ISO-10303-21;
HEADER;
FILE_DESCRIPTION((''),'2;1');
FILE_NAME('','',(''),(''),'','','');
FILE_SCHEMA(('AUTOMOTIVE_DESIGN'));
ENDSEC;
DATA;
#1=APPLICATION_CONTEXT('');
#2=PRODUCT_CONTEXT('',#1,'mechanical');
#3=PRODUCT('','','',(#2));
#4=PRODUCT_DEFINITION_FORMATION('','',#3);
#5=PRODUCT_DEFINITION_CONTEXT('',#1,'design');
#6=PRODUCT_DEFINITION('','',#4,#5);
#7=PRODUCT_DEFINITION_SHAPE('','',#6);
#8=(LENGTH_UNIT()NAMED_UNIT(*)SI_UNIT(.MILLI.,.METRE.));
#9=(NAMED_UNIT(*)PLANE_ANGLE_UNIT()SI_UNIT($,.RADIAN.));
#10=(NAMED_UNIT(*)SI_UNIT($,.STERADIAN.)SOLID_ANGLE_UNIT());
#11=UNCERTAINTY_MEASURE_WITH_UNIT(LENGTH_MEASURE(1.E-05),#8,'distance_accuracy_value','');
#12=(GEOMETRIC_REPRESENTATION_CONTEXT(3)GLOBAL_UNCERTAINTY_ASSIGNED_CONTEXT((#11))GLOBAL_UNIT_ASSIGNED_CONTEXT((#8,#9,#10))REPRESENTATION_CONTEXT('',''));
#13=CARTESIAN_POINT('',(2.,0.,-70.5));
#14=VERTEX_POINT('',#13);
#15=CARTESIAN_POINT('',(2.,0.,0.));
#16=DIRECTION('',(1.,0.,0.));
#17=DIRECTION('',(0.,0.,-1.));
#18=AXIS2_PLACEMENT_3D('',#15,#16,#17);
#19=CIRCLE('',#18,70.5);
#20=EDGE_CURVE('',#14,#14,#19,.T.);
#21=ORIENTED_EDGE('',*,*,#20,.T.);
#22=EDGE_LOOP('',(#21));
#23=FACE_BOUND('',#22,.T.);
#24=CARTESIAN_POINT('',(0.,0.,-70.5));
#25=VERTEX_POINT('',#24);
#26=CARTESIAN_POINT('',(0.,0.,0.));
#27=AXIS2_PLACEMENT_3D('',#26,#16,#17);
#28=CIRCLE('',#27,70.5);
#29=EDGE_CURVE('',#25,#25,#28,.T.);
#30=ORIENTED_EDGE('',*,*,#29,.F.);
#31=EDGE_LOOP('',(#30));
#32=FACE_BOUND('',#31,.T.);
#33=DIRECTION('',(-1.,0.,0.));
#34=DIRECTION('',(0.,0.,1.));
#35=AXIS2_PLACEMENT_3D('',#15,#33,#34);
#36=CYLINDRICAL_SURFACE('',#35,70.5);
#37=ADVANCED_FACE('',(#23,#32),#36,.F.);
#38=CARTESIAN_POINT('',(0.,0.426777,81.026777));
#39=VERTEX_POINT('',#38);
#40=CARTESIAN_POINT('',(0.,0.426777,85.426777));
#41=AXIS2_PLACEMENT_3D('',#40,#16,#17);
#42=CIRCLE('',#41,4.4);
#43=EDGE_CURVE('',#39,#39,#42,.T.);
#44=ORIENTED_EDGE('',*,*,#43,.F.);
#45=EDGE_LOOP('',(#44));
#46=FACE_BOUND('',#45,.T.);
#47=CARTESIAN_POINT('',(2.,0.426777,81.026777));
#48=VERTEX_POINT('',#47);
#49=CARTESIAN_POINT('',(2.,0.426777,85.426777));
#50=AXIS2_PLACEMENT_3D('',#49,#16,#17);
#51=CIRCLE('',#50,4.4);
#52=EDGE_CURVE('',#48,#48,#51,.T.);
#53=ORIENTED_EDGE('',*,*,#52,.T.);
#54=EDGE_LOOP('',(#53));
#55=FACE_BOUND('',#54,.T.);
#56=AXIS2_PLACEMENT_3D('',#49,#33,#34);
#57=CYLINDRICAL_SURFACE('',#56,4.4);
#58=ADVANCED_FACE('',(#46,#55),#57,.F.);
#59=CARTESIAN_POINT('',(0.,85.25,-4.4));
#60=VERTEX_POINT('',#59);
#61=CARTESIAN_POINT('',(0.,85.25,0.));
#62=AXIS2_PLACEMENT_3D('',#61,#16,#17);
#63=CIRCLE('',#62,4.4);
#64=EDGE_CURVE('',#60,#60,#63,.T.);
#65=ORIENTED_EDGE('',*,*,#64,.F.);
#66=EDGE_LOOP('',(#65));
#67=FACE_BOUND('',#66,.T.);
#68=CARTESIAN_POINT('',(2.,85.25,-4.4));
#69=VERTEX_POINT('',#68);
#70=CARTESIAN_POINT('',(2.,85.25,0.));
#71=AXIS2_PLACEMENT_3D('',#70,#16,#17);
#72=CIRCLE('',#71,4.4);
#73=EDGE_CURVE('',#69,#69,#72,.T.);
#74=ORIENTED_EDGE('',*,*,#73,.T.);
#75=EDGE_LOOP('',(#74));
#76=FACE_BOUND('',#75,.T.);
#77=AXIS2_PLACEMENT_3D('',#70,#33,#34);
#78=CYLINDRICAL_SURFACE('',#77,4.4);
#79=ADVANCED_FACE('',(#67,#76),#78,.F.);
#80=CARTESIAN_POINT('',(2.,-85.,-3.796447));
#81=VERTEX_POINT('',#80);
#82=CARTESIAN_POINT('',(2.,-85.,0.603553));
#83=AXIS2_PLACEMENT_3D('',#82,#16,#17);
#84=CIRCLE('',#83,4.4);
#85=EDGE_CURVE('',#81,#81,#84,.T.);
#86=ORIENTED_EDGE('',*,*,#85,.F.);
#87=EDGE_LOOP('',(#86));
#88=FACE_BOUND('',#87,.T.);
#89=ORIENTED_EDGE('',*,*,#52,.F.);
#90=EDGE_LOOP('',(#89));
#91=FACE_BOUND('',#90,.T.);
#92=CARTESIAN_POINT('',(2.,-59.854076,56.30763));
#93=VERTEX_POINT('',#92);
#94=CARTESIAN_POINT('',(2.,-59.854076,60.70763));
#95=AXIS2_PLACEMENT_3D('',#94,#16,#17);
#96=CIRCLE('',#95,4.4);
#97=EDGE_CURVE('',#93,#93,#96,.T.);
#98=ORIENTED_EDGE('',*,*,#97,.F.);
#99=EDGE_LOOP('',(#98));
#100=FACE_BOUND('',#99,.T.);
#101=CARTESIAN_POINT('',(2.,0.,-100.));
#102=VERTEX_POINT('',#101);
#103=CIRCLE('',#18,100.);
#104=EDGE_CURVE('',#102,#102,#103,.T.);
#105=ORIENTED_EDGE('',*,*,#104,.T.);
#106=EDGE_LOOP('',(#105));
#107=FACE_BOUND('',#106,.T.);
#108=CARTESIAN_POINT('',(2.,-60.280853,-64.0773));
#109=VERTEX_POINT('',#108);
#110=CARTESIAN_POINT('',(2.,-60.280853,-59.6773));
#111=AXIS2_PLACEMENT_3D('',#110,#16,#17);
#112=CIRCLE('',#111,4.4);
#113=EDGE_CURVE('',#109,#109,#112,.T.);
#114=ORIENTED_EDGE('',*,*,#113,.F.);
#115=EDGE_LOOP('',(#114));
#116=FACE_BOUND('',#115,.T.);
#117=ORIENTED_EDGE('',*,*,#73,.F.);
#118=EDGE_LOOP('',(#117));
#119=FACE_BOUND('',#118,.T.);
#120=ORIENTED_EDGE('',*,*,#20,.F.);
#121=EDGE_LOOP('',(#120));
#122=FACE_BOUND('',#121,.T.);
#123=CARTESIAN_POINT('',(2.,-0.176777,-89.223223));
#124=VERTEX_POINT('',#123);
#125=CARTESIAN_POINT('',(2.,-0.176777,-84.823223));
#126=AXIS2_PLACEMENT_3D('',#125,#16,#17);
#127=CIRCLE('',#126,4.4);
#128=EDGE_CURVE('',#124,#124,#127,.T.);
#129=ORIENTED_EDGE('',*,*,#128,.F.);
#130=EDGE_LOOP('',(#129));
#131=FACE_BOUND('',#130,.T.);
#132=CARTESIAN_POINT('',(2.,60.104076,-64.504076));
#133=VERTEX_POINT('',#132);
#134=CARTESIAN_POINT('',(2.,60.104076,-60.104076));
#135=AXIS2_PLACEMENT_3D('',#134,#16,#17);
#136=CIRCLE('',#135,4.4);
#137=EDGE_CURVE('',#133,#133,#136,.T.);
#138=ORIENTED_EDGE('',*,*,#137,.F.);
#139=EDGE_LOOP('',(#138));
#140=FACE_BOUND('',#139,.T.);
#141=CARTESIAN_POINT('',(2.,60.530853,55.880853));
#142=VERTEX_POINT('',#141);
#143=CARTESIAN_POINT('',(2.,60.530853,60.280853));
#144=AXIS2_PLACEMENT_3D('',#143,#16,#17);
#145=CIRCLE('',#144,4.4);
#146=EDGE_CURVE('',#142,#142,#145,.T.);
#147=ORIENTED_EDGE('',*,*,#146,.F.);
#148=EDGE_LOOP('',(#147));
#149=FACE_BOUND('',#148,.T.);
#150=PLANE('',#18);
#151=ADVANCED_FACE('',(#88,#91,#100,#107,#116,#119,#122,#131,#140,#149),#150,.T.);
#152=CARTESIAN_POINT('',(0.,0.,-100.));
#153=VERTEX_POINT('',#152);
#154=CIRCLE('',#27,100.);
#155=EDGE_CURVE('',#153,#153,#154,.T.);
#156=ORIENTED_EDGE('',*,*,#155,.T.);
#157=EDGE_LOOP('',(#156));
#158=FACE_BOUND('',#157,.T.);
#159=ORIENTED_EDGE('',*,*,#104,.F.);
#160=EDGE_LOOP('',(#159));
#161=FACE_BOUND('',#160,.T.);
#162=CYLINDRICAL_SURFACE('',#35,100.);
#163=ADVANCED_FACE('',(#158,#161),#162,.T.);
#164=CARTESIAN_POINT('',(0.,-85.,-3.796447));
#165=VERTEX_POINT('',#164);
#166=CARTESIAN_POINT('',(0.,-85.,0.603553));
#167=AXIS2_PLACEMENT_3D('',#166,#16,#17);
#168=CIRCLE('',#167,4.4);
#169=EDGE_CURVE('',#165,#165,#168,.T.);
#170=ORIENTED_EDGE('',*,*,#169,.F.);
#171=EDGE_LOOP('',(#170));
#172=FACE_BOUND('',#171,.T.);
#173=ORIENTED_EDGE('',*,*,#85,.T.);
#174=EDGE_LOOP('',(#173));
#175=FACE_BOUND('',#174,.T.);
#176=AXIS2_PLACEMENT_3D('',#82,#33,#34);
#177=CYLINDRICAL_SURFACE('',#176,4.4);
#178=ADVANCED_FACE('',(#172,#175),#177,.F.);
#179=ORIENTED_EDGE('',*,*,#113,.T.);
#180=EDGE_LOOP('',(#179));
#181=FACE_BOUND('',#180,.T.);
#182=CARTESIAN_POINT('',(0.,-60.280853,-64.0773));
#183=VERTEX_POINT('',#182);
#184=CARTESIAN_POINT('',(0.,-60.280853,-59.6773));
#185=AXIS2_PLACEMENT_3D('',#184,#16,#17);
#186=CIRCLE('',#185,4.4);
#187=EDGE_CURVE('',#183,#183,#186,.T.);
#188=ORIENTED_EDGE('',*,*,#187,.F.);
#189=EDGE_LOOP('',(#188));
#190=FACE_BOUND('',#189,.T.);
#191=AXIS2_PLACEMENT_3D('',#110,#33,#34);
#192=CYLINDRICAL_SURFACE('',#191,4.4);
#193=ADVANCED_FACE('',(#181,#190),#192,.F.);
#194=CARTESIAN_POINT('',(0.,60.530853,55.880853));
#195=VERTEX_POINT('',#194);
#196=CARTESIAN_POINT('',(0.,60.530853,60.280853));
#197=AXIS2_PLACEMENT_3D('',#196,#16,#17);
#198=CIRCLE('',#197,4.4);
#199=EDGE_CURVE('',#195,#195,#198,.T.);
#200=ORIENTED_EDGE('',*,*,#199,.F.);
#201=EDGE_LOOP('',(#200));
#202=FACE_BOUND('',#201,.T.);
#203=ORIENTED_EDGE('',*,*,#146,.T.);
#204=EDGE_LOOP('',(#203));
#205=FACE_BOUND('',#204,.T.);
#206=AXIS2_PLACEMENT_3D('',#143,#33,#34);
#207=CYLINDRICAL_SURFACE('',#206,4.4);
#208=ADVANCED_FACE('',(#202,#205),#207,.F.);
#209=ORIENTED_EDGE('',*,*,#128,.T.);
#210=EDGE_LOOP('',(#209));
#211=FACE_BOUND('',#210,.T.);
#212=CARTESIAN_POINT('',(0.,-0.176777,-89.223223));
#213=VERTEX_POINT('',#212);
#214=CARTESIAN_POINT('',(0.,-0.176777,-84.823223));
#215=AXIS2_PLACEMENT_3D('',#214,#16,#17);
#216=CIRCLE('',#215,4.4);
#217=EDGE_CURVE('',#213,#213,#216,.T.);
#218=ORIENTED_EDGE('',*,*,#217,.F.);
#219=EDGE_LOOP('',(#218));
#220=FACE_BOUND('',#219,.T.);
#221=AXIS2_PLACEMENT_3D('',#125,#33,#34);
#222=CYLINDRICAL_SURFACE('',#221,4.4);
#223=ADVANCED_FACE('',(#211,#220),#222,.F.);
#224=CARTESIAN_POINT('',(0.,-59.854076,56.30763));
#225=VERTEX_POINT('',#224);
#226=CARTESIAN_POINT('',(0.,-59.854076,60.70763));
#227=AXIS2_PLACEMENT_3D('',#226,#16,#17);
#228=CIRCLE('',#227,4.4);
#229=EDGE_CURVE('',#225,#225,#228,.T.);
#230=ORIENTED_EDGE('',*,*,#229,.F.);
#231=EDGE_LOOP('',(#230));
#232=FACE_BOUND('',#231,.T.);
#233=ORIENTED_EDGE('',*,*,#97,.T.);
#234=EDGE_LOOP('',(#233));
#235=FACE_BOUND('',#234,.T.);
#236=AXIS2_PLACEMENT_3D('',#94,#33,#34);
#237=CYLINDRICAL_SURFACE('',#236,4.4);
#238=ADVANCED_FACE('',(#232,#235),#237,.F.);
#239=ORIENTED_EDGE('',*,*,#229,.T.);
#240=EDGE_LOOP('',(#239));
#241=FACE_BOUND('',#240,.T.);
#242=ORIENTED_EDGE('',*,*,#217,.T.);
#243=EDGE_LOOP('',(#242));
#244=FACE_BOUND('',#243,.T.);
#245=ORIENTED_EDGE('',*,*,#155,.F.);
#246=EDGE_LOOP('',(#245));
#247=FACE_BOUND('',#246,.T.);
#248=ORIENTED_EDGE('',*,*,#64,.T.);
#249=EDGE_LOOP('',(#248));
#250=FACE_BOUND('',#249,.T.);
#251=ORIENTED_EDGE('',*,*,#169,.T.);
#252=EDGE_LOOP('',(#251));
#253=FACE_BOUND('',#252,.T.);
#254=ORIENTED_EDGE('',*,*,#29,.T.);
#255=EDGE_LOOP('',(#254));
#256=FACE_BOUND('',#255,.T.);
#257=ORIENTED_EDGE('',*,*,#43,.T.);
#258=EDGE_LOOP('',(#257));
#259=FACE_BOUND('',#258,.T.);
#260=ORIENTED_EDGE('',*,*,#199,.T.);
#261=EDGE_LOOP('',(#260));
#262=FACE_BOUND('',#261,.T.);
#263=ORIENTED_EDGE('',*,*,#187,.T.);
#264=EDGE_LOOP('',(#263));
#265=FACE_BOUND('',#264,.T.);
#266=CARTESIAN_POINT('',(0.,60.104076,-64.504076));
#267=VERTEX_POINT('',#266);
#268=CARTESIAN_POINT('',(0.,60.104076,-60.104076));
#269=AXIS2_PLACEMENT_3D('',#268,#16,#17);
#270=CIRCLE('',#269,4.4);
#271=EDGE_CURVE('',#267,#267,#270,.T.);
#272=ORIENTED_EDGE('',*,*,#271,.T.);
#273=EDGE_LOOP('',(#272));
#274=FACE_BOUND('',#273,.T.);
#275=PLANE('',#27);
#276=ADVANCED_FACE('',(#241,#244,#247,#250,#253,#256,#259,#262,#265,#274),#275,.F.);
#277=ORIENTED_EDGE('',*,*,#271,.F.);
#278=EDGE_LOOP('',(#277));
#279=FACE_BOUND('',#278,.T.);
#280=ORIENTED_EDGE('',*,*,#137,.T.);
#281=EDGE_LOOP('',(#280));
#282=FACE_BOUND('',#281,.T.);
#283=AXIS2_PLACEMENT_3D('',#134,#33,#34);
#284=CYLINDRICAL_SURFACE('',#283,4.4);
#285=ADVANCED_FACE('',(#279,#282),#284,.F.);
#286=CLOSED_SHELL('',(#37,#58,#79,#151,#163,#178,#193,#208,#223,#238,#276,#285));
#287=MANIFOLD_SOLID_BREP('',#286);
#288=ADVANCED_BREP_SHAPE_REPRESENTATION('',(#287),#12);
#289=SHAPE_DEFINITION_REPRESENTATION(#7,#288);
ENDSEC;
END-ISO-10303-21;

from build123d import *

# Parameters (mm, degrees)
SKETCH_1_R      = 100
SKETCH_1_R_2    = 70.5
SKETCH_1_R_3    = 4.4
EXTRUDE_1_DEPTH = 2


with BuildPart() as part:
    # Эскиз1 → Бобышка-Вытянуть1 (new body)
    with BuildSketch(Plane(origin=(0, 0, 0), x_dir=(0, 0, -1), z_dir=(1, 0, 0))):
        Circle(SKETCH_1_R)
        Circle(SKETCH_1_R_2, mode=Mode.SUBTRACT)
        with Locations((0, 85.25)):
            Circle(SKETCH_1_R_3, mode=Mode.SUBTRACT)
        with Locations((60.104076401, 60.104076401)):
            Circle(SKETCH_1_R_3, mode=Mode.SUBTRACT)
        with Locations((84.823223305, -0.176776695)):
            Circle(SKETCH_1_R_3, mode=Mode.SUBTRACT)
        with Locations((59.677299706, -60.280853096)):
            Circle(SKETCH_1_R_3, mode=Mode.SUBTRACT)
        with Locations((-0.603553391, -85)):
            Circle(SKETCH_1_R_3, mode=Mode.SUBTRACT)
        with Locations((-60.707629791, -59.854076401)):
            Circle(SKETCH_1_R_3, mode=Mode.SUBTRACT)
        with Locations((-85.426776695, 0.426776695)):
            Circle(SKETCH_1_R_3, mode=Mode.SUBTRACT)
        with Locations((-60.280853096, 60.530853096)):
            Circle(SKETCH_1_R_3, mode=Mode.SUBTRACT)
    extrude(amount=EXTRUDE_1_DEPTH)


solid = part.part
